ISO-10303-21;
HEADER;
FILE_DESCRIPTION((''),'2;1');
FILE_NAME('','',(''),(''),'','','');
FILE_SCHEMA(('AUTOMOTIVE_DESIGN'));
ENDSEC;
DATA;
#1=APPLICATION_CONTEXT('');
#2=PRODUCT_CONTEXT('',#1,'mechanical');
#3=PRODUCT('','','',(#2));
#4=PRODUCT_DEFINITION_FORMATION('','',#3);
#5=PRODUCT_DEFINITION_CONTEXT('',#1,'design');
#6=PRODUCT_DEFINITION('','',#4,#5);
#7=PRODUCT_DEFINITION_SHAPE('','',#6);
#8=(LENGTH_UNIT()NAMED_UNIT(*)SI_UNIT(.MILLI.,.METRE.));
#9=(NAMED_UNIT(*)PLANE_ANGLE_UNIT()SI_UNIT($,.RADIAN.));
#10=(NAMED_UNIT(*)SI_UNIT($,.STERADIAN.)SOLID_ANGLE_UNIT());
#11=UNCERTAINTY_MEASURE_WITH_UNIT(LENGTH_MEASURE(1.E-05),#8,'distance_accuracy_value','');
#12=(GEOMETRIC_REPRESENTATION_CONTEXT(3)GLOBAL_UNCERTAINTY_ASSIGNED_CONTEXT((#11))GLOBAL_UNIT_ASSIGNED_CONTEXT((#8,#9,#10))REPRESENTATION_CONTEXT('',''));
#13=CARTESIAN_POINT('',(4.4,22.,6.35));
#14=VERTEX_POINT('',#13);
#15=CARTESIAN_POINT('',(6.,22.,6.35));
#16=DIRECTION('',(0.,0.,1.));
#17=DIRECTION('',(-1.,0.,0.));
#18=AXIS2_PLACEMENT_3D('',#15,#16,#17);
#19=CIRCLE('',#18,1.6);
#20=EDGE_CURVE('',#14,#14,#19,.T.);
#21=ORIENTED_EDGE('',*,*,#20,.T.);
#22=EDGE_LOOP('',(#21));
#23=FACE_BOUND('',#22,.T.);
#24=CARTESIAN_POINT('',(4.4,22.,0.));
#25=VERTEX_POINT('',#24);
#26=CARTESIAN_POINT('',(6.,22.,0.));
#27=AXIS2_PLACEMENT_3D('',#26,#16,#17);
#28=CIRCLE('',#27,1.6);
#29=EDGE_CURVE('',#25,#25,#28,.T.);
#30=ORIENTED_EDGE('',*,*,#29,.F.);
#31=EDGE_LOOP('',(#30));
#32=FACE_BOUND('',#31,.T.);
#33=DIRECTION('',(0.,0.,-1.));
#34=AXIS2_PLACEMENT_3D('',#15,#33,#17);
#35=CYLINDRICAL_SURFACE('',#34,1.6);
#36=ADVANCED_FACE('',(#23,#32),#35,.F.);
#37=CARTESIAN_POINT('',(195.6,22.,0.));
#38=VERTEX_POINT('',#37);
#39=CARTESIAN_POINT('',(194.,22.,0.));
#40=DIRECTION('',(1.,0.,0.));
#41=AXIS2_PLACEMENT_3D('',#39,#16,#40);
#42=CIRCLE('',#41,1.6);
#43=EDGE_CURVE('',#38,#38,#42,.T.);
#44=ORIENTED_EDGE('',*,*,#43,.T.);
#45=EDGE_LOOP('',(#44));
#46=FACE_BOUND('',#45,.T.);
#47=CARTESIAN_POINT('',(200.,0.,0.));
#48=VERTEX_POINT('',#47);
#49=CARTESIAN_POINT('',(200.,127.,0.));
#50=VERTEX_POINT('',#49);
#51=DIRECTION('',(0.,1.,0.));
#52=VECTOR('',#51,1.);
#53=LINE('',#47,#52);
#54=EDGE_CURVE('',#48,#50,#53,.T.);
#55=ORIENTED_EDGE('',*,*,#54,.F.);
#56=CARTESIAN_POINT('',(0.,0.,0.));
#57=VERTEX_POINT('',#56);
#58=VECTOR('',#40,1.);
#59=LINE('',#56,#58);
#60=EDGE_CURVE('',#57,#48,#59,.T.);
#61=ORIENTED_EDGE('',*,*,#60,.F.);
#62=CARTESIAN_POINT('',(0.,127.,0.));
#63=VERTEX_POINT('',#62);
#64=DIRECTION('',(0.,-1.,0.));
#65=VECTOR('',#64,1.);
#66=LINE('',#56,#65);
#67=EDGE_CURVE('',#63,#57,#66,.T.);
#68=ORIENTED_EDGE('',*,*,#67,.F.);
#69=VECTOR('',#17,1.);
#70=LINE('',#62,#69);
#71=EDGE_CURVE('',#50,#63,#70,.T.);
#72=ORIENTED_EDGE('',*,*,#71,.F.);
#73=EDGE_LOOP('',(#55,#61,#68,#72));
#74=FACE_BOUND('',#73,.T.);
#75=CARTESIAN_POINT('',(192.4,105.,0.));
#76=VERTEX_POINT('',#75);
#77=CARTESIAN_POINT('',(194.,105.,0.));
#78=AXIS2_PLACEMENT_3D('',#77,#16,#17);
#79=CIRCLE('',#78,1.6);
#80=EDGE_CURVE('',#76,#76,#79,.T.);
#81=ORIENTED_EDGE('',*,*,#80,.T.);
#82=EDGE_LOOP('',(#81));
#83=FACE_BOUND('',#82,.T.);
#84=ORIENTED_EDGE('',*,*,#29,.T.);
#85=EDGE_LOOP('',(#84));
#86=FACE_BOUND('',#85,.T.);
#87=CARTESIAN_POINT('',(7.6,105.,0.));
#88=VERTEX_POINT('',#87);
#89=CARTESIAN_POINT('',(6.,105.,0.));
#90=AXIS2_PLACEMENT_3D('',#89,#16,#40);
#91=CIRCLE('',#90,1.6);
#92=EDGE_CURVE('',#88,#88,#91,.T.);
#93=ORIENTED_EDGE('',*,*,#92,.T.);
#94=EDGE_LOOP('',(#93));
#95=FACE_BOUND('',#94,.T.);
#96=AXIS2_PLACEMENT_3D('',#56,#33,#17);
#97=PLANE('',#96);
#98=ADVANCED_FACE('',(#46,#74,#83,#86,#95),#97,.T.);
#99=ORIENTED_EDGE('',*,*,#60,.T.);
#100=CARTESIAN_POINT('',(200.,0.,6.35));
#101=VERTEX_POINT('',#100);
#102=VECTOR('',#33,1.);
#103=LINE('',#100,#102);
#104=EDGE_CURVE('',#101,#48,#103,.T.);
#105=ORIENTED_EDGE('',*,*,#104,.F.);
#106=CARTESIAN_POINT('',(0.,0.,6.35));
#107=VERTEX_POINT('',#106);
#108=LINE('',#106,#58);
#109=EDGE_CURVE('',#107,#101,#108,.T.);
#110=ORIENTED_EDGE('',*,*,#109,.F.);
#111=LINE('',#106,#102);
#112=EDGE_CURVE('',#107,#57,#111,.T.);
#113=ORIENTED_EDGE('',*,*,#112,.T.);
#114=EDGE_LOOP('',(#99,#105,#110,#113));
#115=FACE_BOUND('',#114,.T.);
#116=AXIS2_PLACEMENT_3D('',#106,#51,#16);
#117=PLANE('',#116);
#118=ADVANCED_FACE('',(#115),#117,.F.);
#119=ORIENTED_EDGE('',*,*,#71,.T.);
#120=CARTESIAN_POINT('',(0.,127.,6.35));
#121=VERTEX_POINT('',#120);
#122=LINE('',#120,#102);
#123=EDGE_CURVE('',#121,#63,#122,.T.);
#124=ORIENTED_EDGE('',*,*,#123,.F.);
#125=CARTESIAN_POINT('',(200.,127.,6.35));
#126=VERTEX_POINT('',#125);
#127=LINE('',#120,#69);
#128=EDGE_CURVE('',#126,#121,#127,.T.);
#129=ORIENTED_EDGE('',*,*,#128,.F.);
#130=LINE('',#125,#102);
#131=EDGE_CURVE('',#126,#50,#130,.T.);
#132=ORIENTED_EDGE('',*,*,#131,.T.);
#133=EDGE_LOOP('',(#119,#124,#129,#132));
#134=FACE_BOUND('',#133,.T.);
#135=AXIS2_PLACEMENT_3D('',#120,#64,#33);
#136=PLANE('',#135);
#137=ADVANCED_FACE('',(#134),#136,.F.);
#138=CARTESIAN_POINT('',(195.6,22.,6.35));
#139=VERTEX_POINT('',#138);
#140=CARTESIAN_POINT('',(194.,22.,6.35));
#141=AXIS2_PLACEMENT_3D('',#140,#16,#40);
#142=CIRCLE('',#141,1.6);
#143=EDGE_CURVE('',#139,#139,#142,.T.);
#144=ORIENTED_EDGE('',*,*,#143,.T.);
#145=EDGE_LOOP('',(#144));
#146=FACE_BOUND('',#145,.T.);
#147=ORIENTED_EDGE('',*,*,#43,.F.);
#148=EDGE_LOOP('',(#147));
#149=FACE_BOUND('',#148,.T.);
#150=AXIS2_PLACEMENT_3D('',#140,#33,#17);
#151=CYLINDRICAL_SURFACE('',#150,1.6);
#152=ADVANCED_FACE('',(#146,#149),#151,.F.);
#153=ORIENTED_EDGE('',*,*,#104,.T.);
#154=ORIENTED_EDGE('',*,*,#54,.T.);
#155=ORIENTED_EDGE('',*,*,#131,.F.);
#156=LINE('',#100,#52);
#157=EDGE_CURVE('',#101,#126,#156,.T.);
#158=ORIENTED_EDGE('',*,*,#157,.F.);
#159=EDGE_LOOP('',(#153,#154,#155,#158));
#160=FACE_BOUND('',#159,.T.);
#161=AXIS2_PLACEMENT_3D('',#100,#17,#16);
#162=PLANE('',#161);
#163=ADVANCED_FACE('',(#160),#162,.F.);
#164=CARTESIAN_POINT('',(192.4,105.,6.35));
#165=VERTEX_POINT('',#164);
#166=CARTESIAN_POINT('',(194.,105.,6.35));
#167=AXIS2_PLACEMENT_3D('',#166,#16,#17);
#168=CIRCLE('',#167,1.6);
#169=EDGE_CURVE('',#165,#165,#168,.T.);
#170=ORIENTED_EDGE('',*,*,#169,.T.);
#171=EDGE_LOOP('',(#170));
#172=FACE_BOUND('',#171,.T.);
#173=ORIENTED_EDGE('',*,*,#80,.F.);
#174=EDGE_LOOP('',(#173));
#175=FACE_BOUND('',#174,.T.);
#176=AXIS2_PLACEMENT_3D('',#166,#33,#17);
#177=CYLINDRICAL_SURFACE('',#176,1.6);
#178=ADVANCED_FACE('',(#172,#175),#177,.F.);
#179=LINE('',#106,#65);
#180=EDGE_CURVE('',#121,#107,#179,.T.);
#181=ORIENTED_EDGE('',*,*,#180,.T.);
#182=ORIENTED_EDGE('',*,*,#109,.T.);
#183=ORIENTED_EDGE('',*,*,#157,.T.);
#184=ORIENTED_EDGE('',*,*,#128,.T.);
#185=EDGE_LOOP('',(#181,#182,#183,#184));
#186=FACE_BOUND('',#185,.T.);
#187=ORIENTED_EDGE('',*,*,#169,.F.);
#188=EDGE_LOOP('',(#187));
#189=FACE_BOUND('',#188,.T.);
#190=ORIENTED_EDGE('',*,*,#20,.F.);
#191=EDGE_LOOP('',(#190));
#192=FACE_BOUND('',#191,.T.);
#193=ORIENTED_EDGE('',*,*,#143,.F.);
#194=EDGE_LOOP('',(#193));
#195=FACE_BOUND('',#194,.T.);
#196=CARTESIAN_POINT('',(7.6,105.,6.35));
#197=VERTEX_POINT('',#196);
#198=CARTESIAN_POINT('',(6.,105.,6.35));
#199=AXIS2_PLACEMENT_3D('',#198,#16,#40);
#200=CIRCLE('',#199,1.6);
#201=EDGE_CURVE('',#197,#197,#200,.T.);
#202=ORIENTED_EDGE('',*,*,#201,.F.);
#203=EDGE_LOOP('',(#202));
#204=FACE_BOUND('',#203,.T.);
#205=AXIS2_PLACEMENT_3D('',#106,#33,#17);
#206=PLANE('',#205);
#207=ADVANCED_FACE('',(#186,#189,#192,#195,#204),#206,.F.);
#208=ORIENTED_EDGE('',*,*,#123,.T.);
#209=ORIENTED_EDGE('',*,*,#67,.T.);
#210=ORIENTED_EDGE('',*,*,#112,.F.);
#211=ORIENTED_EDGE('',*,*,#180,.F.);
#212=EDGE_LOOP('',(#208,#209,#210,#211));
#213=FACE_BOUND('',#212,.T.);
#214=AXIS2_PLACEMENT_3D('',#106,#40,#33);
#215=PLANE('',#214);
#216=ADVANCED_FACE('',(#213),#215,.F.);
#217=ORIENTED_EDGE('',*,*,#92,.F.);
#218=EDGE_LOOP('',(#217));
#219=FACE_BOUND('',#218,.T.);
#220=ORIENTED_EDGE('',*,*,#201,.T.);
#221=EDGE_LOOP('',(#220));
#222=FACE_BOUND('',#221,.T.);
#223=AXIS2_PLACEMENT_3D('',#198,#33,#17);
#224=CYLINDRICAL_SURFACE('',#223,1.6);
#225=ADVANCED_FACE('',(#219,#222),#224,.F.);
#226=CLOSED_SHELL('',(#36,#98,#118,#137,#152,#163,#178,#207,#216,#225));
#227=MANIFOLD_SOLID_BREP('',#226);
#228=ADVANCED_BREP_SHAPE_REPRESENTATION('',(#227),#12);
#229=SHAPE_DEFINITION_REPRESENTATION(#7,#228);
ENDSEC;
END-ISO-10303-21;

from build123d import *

# Parameters (mm, degrees)
SKETCH1_W  = 200
SKETCH1_H  = 127
SKETCH1_R  = 1.6
WALL_DEPTH = 6.35


with BuildPart() as part:
    # Sketch1 → Wall (new body)
    with BuildSketch(Plane.XY):
        with Locations((100, 63.5)):
            Rectangle(SKETCH1_W, SKETCH1_H)
        with Locations((6, 105)):
            Circle(SKETCH1_R, mode=Mode.SUBTRACT)
        with Locations((194, 105)):
            Circle(SKETCH1_R, mode=Mode.SUBTRACT)
        with Locations((194, 22)):
            Circle(SKETCH1_R, mode=Mode.SUBTRACT)
        with Locations((6, 22)):
            Circle(SKETCH1_R, mode=Mode.SUBTRACT)
    extrude(amount=WALL_DEPTH)


solid = part.part
